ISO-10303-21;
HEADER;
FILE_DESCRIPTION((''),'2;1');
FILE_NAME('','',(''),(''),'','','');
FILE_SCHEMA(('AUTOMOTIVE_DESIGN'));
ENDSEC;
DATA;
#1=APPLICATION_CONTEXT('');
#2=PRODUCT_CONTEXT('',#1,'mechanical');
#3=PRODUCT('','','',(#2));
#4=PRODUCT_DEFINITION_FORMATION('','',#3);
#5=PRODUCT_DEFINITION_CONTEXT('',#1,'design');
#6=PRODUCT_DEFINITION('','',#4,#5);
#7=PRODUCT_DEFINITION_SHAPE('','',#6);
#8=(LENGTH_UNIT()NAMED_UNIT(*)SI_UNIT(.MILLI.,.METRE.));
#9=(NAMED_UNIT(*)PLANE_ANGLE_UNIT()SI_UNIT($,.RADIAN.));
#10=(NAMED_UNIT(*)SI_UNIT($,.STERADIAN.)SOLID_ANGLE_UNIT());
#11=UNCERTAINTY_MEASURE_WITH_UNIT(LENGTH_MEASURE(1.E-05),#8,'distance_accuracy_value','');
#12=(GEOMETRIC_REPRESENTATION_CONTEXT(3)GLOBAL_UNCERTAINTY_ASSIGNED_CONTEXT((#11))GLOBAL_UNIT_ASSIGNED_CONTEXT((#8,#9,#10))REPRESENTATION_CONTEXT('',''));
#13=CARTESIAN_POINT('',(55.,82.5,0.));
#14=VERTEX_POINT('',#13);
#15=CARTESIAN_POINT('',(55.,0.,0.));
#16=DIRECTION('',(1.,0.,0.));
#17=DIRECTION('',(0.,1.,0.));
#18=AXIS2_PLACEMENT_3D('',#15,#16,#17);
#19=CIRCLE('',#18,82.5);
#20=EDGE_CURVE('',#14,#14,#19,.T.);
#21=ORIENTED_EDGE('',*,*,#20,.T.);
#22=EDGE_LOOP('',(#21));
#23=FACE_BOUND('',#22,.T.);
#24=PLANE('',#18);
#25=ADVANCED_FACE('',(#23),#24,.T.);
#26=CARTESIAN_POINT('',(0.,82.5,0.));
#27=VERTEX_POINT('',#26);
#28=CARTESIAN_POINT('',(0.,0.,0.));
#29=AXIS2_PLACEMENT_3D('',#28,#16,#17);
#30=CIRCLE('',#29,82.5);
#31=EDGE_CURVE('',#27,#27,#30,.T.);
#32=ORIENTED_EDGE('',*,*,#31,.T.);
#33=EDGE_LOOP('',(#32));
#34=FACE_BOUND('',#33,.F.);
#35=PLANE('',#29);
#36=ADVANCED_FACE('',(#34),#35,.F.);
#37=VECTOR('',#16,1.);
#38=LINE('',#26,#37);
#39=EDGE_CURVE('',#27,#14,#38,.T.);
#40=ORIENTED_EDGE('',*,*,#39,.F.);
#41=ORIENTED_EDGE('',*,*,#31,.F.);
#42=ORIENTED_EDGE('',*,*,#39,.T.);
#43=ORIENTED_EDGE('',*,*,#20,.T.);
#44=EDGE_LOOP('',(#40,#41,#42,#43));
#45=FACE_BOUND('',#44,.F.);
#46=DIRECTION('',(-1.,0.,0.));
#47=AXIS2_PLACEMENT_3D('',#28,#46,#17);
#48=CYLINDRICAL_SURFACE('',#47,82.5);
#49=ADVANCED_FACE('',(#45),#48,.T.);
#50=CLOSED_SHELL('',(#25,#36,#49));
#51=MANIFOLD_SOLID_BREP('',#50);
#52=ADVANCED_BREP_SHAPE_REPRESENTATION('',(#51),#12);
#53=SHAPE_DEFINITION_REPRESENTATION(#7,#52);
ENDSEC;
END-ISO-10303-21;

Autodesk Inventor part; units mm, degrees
ref_plane "YZ Plane" through (0, 0, 0) normal (1, 0, 0) x (0, 1, 0)
ref_plane "XZ Plane" through (0, 0, 0) normal (0, 1, 0) x (-1, 0, 0)
ref_plane "XY Plane" through (0, 0, 0) normal (0, 0, 1) x (1, 0, 0)
sketch "스케치2" plane through (0, 0, 0) normal (1, 0, 0) x (0, 1, 0)
  circle A0 centre (0, 0) radius 82.5
  dimension "d0" = 165
extrude "돌출1" add sketch "스케치2" along normal blind 55
properties part number "Wheel" material "고무"
